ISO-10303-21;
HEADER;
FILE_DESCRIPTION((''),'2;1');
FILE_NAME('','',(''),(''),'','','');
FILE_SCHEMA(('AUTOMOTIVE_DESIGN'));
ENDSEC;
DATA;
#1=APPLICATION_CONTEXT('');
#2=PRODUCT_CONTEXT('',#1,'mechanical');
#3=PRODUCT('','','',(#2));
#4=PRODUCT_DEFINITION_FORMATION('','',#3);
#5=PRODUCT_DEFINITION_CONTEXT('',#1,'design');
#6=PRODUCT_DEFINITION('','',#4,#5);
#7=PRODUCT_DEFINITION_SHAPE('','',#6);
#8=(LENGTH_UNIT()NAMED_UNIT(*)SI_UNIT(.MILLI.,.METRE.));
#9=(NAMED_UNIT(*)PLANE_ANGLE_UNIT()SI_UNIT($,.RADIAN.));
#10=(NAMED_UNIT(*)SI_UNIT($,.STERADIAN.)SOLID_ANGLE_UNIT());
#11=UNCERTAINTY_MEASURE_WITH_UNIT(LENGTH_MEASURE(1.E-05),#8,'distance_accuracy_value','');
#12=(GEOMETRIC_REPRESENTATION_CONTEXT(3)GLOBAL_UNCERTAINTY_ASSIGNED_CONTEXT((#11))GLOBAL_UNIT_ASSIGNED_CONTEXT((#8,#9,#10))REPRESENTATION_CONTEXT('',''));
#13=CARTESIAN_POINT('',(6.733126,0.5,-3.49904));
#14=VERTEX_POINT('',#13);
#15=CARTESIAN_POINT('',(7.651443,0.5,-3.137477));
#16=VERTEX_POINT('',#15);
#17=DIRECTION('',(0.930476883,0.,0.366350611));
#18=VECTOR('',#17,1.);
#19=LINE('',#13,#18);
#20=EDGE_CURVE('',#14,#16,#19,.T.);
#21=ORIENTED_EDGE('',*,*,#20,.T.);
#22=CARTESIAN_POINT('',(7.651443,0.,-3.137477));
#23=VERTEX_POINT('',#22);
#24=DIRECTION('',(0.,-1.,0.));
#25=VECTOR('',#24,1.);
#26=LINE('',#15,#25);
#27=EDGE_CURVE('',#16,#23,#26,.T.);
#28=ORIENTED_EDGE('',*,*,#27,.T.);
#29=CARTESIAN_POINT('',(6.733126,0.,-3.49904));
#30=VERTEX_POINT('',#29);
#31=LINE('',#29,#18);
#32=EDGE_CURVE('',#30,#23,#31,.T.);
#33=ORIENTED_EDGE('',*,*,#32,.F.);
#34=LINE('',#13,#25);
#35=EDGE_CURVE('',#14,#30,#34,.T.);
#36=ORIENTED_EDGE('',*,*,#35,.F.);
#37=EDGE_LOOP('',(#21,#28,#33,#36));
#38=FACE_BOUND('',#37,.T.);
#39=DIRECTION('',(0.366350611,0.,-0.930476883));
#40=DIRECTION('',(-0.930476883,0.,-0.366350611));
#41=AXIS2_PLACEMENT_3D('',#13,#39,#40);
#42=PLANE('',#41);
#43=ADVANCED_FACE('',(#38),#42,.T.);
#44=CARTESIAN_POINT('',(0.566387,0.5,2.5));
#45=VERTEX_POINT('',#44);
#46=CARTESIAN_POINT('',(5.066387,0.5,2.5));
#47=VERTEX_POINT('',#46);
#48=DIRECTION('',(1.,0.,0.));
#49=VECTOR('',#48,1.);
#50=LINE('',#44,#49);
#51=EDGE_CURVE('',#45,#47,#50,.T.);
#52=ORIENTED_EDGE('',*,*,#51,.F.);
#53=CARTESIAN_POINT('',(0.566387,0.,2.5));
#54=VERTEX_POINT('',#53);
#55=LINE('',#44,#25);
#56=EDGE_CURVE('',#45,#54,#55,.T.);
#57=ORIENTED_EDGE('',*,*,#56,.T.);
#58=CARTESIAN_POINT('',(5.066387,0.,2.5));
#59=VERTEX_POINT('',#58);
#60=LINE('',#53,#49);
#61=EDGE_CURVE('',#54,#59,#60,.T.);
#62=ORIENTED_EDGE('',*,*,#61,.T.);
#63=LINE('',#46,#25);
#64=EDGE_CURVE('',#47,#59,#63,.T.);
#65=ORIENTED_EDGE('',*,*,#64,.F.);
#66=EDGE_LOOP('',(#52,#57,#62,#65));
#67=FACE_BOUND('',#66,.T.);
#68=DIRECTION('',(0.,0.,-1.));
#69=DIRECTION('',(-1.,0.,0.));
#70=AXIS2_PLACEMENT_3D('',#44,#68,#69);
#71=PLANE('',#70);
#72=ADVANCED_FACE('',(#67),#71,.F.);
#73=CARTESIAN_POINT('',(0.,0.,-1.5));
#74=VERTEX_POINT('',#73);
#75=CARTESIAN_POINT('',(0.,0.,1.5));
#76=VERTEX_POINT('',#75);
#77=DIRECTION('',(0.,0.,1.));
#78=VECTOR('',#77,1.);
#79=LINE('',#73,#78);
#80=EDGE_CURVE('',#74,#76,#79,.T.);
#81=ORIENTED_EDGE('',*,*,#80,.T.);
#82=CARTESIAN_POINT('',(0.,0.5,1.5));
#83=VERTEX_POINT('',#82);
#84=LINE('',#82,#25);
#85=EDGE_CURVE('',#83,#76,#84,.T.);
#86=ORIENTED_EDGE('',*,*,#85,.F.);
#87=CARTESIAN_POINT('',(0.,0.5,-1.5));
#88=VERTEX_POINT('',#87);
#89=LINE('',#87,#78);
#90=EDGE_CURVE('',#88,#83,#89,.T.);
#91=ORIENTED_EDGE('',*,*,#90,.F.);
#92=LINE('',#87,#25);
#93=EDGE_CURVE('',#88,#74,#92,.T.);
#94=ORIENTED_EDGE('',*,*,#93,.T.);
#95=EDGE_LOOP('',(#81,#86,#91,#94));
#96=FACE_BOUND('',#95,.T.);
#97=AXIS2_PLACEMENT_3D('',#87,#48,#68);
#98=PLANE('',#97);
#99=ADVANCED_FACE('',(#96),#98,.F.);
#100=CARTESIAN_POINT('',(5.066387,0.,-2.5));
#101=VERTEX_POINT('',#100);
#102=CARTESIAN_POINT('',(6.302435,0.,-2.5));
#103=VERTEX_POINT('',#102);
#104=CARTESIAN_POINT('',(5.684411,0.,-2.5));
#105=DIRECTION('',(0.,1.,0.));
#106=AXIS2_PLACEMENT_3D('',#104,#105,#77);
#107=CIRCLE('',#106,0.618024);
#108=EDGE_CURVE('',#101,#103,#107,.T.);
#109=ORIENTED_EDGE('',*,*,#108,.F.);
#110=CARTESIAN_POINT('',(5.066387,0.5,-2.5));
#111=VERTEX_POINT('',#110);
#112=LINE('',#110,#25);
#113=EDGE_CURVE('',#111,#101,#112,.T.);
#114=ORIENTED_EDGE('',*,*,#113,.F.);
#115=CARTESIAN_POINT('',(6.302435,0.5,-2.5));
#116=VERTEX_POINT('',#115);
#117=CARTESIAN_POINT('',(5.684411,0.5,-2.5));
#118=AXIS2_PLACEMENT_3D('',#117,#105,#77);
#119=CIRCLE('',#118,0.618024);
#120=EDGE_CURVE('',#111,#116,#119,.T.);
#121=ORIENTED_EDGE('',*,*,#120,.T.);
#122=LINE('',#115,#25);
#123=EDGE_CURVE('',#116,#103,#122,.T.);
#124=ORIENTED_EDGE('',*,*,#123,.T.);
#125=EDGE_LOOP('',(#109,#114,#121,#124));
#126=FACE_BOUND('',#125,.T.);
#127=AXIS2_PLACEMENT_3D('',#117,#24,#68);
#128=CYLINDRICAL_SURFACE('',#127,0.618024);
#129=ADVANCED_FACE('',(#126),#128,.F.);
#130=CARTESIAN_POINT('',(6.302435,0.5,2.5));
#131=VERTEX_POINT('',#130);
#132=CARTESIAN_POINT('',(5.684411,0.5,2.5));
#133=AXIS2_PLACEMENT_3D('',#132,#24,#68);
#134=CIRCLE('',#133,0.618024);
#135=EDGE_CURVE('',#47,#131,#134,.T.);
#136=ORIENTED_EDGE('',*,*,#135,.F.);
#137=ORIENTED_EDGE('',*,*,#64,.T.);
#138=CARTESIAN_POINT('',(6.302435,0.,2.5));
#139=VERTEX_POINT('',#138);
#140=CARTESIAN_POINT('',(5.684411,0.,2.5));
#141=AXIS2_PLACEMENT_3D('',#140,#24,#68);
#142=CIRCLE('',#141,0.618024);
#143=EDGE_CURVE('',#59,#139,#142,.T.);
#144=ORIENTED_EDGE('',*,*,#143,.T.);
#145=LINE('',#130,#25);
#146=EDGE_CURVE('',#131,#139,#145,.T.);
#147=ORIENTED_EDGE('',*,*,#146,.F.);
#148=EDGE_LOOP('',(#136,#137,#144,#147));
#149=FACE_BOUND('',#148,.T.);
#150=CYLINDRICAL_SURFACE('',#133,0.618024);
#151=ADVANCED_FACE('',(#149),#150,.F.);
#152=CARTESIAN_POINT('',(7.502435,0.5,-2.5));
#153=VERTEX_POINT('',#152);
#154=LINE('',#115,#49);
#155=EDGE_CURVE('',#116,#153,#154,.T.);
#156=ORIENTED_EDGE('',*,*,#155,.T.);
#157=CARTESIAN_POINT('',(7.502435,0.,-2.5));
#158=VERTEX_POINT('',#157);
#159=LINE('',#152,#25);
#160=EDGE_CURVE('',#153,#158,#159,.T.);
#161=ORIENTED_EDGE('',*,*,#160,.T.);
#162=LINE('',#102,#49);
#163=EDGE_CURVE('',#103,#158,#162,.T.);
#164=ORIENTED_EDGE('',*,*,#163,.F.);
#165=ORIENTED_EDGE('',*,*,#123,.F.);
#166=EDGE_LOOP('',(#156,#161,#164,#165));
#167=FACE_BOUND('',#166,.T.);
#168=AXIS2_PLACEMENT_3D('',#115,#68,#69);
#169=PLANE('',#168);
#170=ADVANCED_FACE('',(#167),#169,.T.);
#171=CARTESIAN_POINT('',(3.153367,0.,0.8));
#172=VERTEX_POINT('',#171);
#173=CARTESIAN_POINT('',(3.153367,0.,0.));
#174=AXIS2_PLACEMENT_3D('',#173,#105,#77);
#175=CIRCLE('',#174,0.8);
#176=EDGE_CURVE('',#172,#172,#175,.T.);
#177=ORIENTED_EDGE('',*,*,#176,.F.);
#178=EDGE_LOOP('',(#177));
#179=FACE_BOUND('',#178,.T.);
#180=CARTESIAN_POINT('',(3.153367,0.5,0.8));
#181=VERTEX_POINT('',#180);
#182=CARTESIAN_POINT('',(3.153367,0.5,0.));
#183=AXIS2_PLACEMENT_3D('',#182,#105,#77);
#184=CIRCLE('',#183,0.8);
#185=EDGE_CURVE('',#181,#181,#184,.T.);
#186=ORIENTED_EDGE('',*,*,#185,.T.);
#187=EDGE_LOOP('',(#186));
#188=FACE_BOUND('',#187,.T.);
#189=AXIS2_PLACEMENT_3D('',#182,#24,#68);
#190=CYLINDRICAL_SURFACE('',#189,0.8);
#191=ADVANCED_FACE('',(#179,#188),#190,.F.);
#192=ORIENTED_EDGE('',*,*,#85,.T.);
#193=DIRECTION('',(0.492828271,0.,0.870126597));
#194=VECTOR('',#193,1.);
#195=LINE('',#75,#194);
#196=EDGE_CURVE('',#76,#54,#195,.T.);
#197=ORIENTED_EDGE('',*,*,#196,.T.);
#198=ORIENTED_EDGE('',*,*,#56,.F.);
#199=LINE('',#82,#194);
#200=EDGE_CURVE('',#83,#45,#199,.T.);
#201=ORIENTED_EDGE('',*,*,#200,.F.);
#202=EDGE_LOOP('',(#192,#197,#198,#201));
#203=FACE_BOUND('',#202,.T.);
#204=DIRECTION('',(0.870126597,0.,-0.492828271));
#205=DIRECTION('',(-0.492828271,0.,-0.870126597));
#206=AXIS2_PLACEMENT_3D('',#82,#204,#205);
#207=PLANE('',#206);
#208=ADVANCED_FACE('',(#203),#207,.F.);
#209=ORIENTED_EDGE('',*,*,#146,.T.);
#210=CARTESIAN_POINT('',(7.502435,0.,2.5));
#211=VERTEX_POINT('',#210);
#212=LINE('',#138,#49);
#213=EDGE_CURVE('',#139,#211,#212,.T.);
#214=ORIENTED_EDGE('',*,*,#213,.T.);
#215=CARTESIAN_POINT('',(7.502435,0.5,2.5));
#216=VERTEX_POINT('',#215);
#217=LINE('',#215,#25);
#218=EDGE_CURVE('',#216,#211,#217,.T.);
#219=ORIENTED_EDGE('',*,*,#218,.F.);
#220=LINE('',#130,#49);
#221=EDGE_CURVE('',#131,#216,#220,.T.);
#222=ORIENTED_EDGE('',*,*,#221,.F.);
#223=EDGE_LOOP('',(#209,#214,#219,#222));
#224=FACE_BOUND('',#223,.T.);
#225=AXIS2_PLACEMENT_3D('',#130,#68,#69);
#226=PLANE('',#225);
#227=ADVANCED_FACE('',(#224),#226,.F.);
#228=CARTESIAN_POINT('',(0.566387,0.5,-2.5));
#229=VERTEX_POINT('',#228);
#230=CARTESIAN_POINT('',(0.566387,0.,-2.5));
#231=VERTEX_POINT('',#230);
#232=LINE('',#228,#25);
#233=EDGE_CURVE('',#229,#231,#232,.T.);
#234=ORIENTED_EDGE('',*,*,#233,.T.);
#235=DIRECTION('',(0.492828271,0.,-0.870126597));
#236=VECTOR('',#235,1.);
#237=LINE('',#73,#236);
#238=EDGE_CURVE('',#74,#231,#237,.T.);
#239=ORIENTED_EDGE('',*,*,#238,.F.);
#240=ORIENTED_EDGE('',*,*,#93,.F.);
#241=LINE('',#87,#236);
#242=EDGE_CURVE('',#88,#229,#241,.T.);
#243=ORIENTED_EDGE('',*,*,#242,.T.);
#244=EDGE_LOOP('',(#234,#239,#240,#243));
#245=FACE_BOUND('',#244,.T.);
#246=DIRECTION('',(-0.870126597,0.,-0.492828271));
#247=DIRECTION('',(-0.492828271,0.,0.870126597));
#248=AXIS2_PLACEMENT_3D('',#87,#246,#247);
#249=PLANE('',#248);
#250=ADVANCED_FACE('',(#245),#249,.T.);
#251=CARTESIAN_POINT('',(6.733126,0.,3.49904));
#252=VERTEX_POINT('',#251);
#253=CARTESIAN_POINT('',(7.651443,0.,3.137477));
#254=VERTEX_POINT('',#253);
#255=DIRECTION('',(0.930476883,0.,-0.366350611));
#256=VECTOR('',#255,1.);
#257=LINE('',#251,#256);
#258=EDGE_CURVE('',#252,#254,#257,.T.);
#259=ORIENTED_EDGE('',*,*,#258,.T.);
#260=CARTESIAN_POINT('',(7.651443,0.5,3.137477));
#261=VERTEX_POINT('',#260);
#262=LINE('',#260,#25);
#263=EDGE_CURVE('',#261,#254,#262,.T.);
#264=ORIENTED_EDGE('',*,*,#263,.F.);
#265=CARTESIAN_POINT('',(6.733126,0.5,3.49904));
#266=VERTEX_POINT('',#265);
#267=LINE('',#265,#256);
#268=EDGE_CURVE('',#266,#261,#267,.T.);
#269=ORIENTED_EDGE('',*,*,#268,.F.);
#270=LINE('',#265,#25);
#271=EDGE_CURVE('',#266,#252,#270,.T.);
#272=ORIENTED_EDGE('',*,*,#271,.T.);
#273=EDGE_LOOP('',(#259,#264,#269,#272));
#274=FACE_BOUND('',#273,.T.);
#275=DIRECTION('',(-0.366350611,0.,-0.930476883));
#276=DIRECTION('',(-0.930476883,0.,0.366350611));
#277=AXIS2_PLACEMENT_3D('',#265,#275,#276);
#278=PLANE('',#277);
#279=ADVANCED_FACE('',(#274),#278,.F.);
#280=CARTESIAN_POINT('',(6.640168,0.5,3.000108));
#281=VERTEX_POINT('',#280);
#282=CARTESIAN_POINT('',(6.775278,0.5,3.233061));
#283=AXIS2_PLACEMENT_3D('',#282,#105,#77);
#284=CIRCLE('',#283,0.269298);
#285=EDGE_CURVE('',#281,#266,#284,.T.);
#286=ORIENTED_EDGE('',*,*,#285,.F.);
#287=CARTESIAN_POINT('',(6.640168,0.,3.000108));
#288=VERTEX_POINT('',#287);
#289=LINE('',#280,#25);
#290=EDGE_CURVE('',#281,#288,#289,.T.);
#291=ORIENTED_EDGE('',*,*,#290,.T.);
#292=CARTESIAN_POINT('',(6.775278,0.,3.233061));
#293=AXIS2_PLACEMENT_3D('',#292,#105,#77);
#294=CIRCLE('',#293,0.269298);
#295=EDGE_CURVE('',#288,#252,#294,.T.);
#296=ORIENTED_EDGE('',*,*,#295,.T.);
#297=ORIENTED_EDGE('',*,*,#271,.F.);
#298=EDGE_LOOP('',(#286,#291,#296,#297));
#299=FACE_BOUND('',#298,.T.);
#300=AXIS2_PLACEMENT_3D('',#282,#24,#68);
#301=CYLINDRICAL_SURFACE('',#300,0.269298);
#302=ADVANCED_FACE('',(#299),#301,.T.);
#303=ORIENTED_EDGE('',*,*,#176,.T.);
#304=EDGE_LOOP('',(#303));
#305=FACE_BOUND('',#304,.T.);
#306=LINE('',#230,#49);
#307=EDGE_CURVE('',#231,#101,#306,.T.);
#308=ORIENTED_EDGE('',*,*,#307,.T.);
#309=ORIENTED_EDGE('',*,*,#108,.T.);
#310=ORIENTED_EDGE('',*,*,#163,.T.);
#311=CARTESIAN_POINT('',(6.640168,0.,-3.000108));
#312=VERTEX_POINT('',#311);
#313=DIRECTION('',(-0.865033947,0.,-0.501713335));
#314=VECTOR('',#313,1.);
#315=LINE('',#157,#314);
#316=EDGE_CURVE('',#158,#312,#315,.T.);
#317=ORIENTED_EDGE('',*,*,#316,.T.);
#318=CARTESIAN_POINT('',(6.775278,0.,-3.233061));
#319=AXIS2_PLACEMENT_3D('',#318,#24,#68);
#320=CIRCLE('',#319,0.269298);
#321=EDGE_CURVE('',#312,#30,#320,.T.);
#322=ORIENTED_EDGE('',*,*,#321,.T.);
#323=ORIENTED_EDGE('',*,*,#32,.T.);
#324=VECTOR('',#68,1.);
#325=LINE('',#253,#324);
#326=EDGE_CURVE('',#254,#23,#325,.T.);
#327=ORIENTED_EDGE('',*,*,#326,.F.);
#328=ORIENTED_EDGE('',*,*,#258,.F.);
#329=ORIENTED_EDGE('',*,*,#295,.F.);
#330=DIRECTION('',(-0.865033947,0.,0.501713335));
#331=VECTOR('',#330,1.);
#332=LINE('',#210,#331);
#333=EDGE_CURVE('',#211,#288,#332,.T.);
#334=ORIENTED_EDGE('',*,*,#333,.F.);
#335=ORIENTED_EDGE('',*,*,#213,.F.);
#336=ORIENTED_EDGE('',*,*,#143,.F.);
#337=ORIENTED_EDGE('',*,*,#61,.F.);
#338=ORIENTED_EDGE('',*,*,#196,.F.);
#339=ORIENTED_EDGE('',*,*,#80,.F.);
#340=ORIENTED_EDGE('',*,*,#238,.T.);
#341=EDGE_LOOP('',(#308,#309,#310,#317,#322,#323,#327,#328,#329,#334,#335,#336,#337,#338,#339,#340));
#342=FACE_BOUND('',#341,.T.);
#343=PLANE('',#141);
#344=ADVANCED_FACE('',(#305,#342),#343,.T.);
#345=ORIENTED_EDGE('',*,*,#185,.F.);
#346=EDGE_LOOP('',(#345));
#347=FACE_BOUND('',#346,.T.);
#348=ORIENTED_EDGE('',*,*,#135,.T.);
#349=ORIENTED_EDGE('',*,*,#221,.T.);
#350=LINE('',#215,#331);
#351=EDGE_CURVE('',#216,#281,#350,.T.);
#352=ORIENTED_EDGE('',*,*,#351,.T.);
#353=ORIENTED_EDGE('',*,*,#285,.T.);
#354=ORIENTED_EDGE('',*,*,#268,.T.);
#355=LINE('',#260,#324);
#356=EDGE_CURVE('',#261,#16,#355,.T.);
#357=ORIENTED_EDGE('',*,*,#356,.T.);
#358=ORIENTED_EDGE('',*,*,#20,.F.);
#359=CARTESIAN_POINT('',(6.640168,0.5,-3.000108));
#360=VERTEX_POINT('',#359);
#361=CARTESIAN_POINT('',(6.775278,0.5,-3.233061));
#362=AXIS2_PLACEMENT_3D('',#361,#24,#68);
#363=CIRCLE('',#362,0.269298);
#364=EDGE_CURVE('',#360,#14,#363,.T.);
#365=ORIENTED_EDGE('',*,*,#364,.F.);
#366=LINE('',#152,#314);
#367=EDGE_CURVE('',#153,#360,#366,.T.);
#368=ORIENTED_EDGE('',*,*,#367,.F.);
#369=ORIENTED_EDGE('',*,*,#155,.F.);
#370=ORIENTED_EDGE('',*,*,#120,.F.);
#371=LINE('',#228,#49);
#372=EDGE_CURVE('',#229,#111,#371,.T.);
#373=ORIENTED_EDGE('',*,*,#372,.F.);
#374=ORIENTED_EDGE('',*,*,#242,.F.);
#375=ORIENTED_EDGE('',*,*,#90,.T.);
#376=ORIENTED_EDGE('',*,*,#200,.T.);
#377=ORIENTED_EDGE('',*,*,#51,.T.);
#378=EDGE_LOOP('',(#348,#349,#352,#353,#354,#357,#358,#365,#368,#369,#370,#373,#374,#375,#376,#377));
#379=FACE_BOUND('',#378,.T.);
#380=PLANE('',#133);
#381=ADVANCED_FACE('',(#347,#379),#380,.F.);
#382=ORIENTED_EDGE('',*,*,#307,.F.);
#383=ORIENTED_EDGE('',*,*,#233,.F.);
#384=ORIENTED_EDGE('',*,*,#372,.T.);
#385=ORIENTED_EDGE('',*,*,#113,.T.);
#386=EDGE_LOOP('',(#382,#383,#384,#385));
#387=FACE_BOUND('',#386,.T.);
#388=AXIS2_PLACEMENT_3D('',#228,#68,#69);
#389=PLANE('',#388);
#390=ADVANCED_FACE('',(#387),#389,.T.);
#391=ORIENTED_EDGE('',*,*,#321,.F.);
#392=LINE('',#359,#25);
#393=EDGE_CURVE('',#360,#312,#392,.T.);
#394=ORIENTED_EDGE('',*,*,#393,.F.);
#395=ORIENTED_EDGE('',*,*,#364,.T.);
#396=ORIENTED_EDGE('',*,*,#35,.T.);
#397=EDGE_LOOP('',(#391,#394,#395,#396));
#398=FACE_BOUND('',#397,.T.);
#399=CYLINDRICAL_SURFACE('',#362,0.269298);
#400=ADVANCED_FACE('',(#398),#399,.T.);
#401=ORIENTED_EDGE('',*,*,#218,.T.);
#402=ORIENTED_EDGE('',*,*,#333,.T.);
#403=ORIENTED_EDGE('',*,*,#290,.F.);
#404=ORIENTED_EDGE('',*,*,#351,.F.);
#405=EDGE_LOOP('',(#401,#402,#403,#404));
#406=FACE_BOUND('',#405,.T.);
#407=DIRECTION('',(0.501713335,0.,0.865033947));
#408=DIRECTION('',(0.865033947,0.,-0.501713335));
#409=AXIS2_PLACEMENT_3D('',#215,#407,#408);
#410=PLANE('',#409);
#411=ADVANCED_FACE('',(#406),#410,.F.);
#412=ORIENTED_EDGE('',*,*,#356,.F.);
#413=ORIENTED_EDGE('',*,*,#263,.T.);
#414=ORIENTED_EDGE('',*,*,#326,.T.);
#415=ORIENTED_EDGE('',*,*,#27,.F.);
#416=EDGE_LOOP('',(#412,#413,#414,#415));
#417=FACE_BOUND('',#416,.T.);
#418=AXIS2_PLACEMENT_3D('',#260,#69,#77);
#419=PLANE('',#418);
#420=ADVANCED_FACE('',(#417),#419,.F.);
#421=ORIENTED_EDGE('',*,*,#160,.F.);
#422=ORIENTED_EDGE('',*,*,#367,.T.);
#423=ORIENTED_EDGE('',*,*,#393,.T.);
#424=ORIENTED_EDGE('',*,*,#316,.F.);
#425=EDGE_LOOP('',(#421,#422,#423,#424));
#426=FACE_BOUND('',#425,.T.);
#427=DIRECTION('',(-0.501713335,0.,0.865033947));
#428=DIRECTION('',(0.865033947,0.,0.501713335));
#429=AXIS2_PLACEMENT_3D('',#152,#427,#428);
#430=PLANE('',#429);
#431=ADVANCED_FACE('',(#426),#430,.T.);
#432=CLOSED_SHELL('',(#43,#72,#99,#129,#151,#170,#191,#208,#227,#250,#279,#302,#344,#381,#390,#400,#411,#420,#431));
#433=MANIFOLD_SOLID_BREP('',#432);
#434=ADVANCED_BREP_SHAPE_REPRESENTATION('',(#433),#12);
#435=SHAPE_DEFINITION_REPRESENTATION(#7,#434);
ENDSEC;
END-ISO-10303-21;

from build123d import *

# Parameters (mm, degrees)
SKETCH1_R           = 0.8
BOSS_EXTRUDE1_DEPTH = 0.5


with BuildPart() as part:
    # Sketch1 → Boss-Extrude1 (new body)
    with BuildSketch(Plane(origin=(0, 0, 0), x_dir=(1, 0, 0), z_dir=(0, 1, 0))):
        with BuildLine():
            Line((0, 1.5), (0, -1.5))
            Line((0, -1.5), (0.566386859, -2.5))
            Line((0.566386859, -2.5), (5.066386859, -2.5))
            ThreePointArc((5.066386859, -2.5), (5.684410747, -1.881976112), (6.302434635, -2.5))
            Line((6.302434635, -2.5), (7.502434635, -2.5))
            Line((7.502434635, -2.5), (6.640167687, -3.000108496))
            ThreePointArc((6.640167687, -3.000108496), (6.510535737, -3.282386176), (6.733125956, -3.499039646))
            Line((6.733125956, -3.499039646), (7.651443218, -3.137476564))
            Line((7.651443218, -3.137476564), (7.651443218, 3.137476564))
            Line((7.651443218, 3.137476564), (6.733125956, 3.499039646))
            ThreePointArc((6.733125956, 3.499039646), (6.510535737, 3.282386176), (6.640167687, 3.000108496))
            Line((6.640167687, 3.000108496), (7.502434635, 2.5))
            Line((7.502434635, 2.5), (6.302434635, 2.5))
            ThreePointArc((6.302434635, 2.5), (5.684410747, 1.881976112), (5.066386859, 2.5))
            Line((5.066386859, 2.5), (0.566386859, 2.5))
            Line((0.566386859, 2.5), (0, 1.5))
        make_face()
        with Locations(Location((3.153366843, 0, 0), (0, 0, 270))):
            Circle(SKETCH1_R, mode=Mode.SUBTRACT)
    extrude(amount=BOSS_EXTRUDE1_DEPTH)


solid = part.part
